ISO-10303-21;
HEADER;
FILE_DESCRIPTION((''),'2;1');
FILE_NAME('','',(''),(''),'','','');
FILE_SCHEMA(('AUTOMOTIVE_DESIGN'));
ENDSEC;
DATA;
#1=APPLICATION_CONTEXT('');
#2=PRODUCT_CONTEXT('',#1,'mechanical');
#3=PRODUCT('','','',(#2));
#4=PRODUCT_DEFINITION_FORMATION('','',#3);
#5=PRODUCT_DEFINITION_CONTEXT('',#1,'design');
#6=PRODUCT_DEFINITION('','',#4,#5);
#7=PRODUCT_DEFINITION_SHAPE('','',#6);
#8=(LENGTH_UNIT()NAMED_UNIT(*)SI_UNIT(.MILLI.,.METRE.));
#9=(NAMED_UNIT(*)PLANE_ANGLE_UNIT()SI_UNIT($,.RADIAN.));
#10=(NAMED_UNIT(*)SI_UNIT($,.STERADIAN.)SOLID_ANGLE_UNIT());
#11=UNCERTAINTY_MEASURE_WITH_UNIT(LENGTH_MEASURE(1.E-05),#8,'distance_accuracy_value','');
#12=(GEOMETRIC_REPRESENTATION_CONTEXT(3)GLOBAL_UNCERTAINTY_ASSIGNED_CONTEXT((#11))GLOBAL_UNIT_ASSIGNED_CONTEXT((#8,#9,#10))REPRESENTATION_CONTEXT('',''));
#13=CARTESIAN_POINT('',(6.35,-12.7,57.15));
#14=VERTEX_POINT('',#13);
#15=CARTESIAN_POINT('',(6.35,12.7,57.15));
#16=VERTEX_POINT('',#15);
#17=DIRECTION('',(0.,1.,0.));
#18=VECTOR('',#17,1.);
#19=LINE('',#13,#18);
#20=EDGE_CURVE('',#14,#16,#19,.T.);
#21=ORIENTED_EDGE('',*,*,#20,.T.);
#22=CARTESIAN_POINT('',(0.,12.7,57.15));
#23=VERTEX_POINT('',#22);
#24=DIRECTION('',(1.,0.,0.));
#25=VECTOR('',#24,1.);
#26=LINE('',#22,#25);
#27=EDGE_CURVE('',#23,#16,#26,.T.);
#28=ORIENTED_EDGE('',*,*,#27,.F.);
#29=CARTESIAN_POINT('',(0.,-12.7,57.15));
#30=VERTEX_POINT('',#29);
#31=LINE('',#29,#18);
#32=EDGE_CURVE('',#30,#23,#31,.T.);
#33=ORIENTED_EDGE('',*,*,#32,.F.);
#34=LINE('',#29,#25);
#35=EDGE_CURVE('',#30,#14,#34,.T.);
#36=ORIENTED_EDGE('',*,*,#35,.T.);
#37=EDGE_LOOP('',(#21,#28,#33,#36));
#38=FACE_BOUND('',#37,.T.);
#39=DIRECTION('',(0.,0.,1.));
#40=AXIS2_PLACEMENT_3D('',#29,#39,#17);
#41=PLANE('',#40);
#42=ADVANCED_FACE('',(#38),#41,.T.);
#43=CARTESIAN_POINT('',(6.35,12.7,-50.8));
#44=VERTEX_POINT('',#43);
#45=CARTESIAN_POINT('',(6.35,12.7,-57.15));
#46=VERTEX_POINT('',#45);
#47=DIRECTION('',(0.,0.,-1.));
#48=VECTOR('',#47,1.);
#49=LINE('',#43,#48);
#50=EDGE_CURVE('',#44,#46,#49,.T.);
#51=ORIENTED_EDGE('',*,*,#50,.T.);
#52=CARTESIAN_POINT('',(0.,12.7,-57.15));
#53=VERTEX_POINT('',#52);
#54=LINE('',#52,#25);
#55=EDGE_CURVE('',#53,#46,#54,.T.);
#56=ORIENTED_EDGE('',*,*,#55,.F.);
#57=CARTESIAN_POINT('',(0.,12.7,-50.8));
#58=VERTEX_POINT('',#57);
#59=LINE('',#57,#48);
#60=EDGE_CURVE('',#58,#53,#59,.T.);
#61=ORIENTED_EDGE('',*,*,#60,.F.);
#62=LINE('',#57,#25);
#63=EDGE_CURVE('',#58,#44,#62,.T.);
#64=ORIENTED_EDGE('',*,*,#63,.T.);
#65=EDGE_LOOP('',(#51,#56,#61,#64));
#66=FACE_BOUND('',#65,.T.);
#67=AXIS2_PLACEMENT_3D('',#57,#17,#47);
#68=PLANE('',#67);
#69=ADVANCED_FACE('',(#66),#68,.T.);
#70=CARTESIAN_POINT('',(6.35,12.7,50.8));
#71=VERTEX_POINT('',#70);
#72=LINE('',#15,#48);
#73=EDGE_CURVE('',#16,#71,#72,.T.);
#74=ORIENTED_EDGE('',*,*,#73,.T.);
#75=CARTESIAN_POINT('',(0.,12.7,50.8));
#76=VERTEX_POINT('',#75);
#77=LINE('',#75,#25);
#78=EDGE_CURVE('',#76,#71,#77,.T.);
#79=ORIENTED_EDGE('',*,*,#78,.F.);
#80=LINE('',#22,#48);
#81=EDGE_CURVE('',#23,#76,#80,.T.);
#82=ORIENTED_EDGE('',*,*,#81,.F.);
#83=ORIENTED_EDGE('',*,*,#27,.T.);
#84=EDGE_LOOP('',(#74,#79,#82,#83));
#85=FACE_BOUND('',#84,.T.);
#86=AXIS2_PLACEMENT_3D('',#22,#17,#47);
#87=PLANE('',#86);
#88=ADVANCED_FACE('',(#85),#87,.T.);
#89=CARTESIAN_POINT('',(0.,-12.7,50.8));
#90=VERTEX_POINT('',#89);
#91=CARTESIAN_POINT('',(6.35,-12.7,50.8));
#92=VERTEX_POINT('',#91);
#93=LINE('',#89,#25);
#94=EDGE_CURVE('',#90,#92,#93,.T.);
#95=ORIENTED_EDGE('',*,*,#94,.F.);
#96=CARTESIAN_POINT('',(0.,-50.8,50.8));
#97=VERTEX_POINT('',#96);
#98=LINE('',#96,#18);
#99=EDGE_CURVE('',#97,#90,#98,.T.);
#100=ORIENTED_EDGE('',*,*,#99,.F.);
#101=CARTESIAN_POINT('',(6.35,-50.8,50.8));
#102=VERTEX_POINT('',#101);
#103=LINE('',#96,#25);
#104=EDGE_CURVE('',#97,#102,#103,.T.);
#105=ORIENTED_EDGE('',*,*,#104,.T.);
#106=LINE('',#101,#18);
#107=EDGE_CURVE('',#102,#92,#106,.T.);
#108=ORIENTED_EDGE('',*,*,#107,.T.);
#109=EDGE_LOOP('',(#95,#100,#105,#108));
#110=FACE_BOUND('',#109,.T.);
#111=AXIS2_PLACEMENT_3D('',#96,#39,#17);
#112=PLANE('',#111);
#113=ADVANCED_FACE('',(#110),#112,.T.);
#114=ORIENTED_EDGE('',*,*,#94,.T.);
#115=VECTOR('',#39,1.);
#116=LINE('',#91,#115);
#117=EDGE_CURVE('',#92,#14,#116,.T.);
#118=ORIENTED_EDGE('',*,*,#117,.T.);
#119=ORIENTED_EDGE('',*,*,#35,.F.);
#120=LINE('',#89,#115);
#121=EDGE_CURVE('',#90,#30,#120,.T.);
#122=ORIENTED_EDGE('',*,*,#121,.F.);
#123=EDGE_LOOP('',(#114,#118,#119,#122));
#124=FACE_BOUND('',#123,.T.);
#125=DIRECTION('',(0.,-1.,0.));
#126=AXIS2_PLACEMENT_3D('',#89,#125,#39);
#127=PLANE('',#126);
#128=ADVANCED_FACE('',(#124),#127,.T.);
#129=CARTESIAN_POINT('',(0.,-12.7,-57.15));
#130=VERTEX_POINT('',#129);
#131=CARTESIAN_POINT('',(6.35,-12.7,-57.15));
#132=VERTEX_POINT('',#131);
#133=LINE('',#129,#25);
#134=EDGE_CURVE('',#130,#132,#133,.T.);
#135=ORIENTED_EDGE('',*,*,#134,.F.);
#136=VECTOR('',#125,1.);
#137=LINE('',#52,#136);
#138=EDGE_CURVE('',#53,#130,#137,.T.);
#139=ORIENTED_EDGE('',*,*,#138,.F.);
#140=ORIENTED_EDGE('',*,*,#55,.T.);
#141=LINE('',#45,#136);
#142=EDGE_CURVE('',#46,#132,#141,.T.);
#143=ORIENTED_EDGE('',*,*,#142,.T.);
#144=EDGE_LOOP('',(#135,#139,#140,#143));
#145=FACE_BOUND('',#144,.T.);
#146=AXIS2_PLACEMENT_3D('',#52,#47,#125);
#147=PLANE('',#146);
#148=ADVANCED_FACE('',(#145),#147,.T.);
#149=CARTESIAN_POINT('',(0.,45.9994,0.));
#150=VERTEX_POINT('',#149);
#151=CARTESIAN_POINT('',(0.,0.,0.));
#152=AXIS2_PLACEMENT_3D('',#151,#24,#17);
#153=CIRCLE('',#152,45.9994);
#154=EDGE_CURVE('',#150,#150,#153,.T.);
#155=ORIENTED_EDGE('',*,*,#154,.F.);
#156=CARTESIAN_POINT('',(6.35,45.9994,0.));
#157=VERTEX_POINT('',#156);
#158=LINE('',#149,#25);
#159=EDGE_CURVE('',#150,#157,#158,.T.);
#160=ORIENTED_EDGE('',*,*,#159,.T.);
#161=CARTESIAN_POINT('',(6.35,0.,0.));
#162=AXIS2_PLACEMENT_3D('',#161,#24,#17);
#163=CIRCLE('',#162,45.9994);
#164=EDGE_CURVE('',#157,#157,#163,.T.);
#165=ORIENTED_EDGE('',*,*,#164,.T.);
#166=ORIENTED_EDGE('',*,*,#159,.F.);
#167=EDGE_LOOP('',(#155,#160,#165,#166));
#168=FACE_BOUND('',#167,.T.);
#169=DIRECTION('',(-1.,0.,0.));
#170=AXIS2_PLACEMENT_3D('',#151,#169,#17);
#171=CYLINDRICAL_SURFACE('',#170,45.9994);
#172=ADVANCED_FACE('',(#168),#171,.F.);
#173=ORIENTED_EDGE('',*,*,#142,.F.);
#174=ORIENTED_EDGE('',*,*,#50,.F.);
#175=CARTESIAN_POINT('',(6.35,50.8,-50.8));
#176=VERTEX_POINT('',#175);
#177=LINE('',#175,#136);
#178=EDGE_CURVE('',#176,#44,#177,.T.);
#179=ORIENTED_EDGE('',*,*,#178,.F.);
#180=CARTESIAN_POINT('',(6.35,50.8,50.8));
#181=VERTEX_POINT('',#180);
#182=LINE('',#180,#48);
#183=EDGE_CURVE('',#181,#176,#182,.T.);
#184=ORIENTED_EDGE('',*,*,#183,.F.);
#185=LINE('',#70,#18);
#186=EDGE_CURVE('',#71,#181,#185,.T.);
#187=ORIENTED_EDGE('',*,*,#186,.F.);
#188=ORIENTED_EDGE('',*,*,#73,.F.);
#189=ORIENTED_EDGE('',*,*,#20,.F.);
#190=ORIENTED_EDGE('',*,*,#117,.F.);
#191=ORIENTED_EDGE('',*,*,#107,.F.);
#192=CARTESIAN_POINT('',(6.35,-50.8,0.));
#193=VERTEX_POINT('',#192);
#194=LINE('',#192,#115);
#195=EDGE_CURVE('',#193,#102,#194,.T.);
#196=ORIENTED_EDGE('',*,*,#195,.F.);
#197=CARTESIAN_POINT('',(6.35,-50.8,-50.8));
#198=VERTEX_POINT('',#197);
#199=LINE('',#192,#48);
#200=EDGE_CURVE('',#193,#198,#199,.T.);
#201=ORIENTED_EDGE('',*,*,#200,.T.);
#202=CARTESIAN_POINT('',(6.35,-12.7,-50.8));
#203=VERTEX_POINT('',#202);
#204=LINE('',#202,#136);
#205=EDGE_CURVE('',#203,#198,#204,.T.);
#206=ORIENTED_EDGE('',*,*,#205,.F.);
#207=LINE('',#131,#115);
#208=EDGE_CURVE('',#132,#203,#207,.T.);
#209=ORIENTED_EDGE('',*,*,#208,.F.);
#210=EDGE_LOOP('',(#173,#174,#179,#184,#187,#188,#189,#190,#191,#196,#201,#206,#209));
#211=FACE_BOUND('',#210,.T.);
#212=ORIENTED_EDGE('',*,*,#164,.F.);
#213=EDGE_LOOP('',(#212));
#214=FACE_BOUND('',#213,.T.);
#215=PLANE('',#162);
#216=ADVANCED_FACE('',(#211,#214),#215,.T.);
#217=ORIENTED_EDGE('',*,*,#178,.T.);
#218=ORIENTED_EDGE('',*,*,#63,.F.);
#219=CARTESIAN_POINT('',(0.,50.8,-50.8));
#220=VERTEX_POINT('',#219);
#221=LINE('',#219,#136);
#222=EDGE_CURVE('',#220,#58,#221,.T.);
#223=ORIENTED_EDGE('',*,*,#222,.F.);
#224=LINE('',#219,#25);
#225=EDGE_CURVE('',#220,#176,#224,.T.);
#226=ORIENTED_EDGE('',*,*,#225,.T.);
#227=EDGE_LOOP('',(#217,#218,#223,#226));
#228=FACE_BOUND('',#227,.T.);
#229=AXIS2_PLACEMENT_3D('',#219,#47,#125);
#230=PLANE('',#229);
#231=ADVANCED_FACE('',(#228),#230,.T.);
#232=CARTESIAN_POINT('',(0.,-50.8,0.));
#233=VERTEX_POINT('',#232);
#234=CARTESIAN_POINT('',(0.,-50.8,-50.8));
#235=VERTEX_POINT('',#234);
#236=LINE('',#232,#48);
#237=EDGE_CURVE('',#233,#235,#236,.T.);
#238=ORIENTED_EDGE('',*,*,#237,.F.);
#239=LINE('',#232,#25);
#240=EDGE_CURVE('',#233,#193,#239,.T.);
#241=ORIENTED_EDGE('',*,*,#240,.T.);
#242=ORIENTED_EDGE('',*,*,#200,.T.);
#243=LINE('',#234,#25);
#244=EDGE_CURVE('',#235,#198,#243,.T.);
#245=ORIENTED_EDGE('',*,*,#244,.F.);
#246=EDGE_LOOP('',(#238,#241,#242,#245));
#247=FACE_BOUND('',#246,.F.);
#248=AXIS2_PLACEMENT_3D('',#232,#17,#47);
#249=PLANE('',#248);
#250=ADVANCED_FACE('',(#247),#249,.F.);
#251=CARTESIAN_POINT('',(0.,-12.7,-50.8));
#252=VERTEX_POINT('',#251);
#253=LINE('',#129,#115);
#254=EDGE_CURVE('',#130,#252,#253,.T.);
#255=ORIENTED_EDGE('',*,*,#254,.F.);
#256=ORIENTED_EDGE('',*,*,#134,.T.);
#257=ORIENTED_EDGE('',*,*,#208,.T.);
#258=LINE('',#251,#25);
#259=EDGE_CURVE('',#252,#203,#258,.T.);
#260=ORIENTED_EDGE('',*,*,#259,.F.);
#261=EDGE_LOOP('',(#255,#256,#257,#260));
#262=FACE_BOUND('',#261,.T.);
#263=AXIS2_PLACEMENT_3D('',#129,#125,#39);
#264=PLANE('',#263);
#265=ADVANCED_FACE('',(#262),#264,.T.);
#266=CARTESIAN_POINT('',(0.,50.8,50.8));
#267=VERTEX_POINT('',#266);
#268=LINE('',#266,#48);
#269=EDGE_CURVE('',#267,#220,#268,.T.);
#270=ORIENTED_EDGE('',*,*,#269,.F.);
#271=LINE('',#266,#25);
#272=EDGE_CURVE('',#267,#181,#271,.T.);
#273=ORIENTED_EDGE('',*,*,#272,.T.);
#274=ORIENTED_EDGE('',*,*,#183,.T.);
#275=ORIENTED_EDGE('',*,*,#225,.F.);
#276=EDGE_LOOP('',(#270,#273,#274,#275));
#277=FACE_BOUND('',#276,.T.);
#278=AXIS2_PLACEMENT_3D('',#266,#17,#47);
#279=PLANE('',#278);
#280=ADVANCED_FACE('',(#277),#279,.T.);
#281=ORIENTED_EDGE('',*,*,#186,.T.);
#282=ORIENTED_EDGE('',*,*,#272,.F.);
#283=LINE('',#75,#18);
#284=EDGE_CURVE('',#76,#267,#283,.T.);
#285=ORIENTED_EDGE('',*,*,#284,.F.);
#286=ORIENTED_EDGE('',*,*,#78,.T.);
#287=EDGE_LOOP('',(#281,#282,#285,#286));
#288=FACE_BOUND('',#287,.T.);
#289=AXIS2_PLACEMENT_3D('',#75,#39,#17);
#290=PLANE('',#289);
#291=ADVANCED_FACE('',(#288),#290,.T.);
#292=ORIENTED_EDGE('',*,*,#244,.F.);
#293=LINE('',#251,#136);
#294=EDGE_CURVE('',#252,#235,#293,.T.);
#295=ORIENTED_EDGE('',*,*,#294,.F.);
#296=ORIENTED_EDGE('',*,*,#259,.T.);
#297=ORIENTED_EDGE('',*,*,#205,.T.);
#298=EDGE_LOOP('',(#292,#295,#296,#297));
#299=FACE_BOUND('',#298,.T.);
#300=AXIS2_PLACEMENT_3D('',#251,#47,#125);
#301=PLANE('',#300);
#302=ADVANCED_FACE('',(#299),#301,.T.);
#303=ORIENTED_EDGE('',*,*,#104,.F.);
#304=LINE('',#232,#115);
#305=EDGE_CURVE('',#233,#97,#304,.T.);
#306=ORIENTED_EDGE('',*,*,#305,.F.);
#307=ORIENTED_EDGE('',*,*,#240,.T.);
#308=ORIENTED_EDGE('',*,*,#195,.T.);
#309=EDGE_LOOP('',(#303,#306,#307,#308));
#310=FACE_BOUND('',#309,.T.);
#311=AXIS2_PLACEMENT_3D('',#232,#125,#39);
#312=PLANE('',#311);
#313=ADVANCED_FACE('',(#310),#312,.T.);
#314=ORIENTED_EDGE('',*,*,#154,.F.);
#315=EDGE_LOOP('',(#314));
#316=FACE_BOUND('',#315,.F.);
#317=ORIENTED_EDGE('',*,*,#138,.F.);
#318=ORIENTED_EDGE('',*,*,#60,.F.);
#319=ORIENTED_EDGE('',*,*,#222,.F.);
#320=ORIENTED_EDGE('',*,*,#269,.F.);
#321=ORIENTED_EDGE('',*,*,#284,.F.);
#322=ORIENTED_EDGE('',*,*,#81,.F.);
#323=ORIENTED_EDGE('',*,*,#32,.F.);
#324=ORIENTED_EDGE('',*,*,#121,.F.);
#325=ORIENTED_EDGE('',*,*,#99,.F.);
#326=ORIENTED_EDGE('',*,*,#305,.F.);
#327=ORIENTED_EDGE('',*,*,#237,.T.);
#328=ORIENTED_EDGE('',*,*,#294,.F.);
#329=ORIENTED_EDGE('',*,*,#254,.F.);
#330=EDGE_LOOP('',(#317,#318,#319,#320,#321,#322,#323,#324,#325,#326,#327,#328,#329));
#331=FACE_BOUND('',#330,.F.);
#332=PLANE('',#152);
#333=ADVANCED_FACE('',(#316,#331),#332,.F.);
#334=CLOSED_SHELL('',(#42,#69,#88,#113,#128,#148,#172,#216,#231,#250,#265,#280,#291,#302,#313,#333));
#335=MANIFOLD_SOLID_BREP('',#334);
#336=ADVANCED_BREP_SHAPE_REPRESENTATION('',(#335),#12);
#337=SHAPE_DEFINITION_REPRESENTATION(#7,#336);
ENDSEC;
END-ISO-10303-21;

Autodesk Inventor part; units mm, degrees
ref_plane "YZ Plane" through (0, 0, 0) normal (1, 0, 0) x (0, 1, 0)
ref_plane "XZ Plane" through (0, 0, 0) normal (0, 1, 0) x (-1, 0, 0)
ref_plane "XY Plane" through (0, 0, 0) normal (0, 0, 1) x (1, 0, 0)
sketch "Sketch1" plane through (0, 0, 0) normal (1, 0, 0) x (0, 1, 0)
  circle A0 centre (0, 0) radius 45.9994
  line L0 (-50.8, 0) -> (-50.8, 50.8)
  line L1 (-50.8, 0) -> (-50.8, -50.8)
  line L2 (-50.8, 50.8) -> (-12.7, 50.8)
  line L3 (-12.7, 50.8) -> (-12.7, 57.15)
  line L4 (-12.7, 57.15) -> (12.7, 57.15)
  line L5 (12.7, 57.15) -> (12.7, 50.8)
  line L6 (12.7, 50.8) -> (50.8, 50.8)
  line L7 (50.8, 50.8) -> (50.8, -50.8)
  line L8 (50.8, -50.8) -> (12.7, -50.8)
  line L9 (12.7, -50.8) -> (12.7, -57.15)
  line L10 (12.7, -57.15) -> (-12.7, -57.15)
  line L11 (-12.7, -57.15) -> (-12.7, -50.8)
  line L12 (-12.7, -50.8) -> (-50.8, -50.8)
  dimension "d0" = 91.9988
  dimension "d1" = 50.8
  dimension "d2" = 50.8
  dimension "d3" = 50.8
  dimension "d4" = 38.1
  dimension "d5" = 6.35
  dimension "d6" = 25.4
  dimension "d7" = 38.1
  dimension "d8" = 101.6
  dimension "d9" = 38.1
  dimension "d10" = 6.35
  dimension "d11" = 25.4
  dimension "d12" = 6.35
extrude "Extrusion1" add sketch "Sketch1" along normal blind 6.35
properties part number "speakermount"
